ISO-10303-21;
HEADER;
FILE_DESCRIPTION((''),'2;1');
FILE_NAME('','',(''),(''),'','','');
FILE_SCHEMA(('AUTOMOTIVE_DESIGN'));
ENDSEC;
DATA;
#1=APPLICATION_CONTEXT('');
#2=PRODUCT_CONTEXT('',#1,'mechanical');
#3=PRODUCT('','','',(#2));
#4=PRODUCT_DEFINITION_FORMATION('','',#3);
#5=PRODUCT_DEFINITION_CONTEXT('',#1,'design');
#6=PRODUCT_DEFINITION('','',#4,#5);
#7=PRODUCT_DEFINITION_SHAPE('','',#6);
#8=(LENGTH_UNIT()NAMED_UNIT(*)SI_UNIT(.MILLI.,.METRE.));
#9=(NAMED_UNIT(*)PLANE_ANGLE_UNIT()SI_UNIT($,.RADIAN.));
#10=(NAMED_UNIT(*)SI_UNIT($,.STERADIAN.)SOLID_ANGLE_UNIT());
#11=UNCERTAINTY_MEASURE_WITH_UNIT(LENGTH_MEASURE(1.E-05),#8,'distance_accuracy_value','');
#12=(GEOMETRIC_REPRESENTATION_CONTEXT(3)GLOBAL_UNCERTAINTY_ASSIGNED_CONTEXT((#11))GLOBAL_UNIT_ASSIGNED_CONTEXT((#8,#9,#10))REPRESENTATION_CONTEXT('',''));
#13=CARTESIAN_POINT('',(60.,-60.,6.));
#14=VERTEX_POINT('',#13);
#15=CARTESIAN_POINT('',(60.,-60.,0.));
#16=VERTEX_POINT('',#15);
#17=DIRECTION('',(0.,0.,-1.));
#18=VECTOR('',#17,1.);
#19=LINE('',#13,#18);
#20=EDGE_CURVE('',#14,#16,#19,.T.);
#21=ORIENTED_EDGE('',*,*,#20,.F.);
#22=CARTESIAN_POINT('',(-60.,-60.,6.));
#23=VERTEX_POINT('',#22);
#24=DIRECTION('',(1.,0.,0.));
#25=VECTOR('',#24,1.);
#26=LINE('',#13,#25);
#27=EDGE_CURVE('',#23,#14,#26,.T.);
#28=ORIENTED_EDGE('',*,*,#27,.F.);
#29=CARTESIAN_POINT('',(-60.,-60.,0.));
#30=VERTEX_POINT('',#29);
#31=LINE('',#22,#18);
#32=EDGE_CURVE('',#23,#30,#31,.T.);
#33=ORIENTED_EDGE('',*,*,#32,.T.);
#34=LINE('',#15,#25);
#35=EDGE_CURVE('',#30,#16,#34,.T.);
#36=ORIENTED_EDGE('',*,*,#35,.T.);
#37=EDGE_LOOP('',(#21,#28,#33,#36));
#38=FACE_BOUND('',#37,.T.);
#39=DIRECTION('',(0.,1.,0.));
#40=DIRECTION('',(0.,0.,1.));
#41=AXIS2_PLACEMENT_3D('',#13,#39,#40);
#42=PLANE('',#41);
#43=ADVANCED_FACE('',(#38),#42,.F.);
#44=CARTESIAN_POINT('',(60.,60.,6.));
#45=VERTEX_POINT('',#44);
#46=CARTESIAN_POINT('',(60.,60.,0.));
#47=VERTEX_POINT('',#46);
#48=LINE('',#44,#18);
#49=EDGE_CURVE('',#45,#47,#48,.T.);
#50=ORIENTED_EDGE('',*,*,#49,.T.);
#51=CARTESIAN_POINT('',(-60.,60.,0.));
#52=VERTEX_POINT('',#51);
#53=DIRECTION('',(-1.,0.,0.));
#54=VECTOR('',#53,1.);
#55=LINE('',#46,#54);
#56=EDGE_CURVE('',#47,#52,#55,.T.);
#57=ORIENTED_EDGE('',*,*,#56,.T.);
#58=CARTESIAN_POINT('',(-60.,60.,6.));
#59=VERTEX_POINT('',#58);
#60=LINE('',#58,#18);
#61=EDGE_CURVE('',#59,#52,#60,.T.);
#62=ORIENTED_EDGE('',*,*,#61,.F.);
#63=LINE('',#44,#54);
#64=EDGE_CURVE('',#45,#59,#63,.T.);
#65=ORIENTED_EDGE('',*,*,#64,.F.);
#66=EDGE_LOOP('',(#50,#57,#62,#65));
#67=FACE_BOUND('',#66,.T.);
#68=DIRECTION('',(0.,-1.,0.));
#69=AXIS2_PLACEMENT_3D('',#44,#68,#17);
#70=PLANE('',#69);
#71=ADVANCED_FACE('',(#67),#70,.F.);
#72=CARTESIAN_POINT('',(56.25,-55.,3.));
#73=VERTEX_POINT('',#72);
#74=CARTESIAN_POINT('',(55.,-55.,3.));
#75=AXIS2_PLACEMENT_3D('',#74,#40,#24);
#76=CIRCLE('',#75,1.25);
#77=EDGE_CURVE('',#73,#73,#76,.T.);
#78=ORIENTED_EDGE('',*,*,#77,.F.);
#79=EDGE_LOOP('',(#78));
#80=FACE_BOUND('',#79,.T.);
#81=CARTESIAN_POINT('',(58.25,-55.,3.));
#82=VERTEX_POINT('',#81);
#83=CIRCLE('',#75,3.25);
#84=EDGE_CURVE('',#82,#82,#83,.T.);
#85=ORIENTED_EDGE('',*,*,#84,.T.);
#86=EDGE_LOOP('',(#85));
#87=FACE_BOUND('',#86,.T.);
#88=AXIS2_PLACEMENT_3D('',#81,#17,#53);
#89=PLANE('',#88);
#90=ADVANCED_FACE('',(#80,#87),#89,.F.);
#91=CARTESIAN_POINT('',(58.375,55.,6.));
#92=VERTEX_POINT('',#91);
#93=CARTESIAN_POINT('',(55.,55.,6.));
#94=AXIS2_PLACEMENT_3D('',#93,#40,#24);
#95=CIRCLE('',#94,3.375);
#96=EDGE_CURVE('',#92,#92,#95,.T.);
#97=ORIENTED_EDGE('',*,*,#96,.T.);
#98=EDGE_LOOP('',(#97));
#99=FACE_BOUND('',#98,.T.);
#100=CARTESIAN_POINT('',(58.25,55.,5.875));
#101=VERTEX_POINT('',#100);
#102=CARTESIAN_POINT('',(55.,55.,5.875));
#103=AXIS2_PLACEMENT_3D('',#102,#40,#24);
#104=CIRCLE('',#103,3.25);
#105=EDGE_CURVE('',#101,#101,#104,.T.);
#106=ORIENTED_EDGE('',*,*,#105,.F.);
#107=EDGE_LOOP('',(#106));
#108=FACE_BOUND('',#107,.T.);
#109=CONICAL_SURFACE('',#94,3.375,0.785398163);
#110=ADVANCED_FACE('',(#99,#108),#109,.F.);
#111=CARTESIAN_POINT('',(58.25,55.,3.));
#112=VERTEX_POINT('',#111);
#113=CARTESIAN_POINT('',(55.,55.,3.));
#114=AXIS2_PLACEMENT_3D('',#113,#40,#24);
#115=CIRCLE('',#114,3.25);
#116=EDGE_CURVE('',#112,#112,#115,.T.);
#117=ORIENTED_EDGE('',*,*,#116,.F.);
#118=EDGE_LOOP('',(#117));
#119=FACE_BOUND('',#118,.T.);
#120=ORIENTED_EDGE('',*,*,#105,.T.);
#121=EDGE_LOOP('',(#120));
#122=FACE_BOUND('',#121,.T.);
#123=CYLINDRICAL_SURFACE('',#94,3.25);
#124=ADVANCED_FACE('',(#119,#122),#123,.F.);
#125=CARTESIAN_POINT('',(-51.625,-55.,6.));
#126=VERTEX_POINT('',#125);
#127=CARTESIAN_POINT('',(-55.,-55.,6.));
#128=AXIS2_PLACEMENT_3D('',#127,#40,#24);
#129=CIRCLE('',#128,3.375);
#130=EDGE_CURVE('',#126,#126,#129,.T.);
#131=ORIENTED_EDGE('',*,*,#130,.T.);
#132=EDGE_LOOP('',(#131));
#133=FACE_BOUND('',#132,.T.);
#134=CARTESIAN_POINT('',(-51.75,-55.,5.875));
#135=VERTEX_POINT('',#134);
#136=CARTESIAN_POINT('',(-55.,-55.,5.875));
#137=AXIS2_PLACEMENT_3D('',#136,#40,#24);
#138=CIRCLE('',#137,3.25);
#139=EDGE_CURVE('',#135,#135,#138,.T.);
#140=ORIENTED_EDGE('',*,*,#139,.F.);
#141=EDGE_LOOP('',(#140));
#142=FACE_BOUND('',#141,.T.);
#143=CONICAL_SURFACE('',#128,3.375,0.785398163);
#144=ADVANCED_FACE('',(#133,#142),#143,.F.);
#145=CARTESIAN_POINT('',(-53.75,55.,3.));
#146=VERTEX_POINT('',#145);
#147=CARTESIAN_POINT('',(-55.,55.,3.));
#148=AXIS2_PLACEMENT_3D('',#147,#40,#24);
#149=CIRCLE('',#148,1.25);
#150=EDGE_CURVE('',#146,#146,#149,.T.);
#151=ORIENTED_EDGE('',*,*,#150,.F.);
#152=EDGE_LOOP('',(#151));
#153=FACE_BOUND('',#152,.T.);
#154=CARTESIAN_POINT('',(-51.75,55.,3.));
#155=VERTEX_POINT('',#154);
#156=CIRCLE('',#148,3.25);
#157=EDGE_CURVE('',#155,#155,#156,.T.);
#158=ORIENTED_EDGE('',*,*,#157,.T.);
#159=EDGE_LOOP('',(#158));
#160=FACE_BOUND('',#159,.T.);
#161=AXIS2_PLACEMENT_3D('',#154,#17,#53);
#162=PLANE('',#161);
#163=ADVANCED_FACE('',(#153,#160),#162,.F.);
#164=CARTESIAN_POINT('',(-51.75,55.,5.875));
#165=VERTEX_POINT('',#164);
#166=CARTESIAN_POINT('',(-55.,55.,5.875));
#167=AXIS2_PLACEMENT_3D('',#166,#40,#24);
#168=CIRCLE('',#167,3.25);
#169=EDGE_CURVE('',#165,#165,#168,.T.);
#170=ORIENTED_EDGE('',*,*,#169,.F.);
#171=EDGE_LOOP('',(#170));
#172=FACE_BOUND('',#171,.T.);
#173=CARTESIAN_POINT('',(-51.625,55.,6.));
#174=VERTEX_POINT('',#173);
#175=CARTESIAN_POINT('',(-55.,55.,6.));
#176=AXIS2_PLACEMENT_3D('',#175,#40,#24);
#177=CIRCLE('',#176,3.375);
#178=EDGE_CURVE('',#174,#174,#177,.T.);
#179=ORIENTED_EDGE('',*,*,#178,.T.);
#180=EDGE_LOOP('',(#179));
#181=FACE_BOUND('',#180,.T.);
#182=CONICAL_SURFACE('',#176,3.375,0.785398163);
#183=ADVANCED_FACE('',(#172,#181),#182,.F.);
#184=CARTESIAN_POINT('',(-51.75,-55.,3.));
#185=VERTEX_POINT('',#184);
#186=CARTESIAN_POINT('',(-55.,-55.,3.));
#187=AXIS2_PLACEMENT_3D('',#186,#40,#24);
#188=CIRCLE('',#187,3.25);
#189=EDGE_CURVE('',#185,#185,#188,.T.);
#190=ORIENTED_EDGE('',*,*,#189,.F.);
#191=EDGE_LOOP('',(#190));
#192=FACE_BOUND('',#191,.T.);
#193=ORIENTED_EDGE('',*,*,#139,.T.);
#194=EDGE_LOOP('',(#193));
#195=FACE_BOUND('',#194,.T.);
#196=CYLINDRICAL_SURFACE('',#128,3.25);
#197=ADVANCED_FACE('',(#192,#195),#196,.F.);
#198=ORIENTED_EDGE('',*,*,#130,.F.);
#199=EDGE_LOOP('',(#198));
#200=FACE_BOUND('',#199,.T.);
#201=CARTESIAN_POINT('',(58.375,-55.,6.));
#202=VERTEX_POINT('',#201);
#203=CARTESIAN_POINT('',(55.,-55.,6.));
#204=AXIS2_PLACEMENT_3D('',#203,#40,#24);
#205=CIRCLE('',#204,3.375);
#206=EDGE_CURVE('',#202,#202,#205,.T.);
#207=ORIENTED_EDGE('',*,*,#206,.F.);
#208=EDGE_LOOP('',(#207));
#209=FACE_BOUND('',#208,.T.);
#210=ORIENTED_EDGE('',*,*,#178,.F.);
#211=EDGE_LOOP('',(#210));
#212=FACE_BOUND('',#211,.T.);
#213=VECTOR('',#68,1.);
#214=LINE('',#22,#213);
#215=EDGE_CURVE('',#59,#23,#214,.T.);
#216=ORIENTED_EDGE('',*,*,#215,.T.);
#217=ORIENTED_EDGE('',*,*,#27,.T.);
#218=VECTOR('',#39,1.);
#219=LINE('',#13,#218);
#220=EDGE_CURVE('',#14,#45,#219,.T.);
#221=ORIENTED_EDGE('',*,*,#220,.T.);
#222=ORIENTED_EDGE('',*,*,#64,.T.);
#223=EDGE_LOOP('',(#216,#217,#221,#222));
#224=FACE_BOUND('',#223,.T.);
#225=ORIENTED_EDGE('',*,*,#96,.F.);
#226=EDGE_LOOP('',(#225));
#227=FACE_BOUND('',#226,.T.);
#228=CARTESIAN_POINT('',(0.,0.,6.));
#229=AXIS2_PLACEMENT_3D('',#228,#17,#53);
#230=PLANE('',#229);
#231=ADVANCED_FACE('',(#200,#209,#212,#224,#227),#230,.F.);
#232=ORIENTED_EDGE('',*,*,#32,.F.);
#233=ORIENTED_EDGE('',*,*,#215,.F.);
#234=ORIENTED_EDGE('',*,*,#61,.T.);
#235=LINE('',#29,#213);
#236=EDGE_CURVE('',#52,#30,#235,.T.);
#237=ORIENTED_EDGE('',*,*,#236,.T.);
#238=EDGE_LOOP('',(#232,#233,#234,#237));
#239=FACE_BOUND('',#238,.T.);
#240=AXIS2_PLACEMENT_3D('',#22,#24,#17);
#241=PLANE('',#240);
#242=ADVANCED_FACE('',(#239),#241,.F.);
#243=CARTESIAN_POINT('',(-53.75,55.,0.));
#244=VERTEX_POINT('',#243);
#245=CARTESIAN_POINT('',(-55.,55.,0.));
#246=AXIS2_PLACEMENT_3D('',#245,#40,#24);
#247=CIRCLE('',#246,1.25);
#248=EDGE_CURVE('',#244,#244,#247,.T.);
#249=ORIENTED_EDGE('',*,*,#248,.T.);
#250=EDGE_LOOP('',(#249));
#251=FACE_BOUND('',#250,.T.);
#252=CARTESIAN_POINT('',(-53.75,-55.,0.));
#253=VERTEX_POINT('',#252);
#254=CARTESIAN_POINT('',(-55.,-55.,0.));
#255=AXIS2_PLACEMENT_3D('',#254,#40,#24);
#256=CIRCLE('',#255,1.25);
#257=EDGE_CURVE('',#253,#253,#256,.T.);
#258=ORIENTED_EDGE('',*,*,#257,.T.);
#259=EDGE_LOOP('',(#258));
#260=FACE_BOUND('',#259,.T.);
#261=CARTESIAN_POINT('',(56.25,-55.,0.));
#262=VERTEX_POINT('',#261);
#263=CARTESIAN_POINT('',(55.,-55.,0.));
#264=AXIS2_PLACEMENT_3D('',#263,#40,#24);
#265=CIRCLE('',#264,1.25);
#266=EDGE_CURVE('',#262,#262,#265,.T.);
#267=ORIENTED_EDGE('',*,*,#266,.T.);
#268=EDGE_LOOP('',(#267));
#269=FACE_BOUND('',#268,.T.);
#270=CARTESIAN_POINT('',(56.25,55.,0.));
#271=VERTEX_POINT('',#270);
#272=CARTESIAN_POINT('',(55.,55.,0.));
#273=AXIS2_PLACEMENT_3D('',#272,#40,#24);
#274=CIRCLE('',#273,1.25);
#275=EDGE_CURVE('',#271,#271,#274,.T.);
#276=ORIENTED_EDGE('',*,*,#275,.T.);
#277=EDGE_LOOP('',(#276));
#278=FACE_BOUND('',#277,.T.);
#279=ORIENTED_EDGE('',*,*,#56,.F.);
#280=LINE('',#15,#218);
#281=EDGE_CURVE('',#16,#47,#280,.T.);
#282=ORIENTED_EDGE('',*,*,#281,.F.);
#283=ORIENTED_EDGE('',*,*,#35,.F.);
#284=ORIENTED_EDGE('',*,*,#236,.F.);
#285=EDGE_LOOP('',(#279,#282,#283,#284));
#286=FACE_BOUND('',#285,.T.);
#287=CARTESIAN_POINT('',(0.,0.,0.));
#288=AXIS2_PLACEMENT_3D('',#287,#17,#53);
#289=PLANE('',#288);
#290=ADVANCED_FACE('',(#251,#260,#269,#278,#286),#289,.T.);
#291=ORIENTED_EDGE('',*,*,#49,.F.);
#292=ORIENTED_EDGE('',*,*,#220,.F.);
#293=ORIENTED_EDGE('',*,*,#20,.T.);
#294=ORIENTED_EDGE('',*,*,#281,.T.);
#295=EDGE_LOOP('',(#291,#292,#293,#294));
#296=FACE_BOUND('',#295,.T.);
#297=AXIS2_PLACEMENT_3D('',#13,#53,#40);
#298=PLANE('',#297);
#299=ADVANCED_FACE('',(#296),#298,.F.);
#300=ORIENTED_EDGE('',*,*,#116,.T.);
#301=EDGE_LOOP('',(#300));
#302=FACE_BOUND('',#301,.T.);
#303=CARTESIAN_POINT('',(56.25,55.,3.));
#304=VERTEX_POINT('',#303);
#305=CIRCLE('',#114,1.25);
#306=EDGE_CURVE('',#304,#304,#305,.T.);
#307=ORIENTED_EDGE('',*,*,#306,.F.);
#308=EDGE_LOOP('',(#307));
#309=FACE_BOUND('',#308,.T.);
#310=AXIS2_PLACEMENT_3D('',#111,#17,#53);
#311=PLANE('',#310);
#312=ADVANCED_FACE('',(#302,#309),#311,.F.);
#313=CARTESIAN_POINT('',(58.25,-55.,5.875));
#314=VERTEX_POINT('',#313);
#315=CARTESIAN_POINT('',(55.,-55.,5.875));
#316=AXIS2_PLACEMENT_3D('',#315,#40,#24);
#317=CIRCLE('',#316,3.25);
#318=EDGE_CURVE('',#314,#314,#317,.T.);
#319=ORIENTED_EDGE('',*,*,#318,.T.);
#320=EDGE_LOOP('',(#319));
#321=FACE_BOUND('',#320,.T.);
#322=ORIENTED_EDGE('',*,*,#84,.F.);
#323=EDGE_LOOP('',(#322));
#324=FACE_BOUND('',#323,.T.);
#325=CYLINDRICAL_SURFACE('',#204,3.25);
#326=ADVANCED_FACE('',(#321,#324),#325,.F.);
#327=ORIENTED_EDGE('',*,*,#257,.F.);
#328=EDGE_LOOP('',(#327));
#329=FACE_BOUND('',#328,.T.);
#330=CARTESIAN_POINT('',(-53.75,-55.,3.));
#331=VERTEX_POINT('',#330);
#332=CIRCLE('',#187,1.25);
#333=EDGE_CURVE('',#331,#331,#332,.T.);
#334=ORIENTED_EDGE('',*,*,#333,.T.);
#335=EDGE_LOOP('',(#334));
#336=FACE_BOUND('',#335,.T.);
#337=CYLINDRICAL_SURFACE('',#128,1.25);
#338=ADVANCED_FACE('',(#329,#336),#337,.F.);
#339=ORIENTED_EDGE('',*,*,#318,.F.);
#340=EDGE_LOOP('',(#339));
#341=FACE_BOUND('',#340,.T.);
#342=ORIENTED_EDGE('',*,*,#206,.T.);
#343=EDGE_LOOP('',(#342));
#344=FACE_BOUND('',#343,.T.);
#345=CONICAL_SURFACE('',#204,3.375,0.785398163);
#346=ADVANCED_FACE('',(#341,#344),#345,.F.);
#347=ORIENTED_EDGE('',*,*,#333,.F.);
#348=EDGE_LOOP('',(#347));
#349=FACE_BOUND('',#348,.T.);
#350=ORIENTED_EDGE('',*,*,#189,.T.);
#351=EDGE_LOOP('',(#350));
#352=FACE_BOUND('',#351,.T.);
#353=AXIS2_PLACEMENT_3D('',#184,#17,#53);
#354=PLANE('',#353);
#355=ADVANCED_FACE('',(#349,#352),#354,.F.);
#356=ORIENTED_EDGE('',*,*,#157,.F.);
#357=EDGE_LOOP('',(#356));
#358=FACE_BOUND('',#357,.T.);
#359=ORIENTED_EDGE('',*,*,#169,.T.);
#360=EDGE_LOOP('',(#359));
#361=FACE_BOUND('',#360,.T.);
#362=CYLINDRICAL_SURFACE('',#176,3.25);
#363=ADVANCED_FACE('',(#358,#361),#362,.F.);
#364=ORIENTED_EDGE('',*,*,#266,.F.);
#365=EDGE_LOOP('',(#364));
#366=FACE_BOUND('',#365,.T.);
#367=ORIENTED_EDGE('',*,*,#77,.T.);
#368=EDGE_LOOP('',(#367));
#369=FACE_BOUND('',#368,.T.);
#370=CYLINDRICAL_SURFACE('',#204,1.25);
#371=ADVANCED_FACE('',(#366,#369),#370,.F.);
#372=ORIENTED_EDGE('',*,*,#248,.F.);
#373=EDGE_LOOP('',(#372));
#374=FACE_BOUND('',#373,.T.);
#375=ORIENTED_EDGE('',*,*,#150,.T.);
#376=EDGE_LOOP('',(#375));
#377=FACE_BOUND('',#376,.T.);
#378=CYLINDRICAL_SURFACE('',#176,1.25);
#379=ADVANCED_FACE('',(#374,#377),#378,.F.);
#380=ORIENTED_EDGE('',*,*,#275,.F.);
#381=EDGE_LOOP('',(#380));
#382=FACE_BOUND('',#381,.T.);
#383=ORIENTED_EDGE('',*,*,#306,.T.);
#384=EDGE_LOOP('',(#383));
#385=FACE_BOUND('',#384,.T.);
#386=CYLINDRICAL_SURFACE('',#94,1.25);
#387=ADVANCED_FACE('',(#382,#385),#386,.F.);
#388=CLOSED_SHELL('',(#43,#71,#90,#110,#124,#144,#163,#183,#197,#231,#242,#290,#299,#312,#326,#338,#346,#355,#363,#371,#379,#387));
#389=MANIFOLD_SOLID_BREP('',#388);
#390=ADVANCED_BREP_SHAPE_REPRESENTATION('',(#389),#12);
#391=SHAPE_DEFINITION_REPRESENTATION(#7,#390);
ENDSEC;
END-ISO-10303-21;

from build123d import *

# Parameters (mm, degrees)
SKETCH1_W           = 120
SKETCH1_H           = 120
BOSS_EXTRUDE1_DEPTH = 6


with BuildPart() as part:
    # Sketch1 → Boss-Extrude1 (new body)
    with BuildSketch(Plane(origin=(0, 0, 0), x_dir=(0, 1, 0), z_dir=(0, 0, 1))):
        Rectangle(SKETCH1_W, SKETCH1_H)
    extrude(amount=BOSS_EXTRUDE1_DEPTH)

    # Sketch7 → CBORE for M3 SBHCS1 (revolve, cut)
    with BuildSketch(Plane(origin=(-55, 55, 6), x_dir=(0, -1, 0), z_dir=(1, 0, 0))):
        Polygon((0, 0), (0, 6), (1.25, 6), (1.25, 3), (3.25, 3), (3.25, 0.125), (3.375, 0), align=None)
    cbore_for_m3_sbhcs1 = revolve(axis=Axis((-55, 55, 12.35), (0, 0, -1)), mode=Mode.SUBTRACT)

    # Mirror2: CBORE for M3 SBHCS1 across plane
    add(cbore_for_m3_sbhcs1.mirror(Plane(origin=(0, 0, 0), x_dir=(0, 0, 1), z_dir=(1, 0, 0))), mode=Mode.SUBTRACT)

    # Mirror2 at the second plane: CBORE for M3 SBHCS1 across plane
    add(cbore_for_m3_sbhcs1.mirror(Plane.ZX), mode=Mode.SUBTRACT)

    # Mirror2 at the second plane copy 1 sketc → Mirror2 at the second plane copy 1 (revolve, cut)
    with BuildSketch(Plane(origin=(55, -55, 6), x_dir=(0, 1, 0), z_dir=(-1, 0, 0))):
        Polygon((0, 0), (0, 6), (1.25, 6), (1.25, 3), (3.25, 3), (3.25, 0.125), (3.375, 0), align=None)
    revolve(axis=Axis((55, -55, 12.35), (0, 0, -1)), mode=Mode.SUBTRACT)


solid = part.part
